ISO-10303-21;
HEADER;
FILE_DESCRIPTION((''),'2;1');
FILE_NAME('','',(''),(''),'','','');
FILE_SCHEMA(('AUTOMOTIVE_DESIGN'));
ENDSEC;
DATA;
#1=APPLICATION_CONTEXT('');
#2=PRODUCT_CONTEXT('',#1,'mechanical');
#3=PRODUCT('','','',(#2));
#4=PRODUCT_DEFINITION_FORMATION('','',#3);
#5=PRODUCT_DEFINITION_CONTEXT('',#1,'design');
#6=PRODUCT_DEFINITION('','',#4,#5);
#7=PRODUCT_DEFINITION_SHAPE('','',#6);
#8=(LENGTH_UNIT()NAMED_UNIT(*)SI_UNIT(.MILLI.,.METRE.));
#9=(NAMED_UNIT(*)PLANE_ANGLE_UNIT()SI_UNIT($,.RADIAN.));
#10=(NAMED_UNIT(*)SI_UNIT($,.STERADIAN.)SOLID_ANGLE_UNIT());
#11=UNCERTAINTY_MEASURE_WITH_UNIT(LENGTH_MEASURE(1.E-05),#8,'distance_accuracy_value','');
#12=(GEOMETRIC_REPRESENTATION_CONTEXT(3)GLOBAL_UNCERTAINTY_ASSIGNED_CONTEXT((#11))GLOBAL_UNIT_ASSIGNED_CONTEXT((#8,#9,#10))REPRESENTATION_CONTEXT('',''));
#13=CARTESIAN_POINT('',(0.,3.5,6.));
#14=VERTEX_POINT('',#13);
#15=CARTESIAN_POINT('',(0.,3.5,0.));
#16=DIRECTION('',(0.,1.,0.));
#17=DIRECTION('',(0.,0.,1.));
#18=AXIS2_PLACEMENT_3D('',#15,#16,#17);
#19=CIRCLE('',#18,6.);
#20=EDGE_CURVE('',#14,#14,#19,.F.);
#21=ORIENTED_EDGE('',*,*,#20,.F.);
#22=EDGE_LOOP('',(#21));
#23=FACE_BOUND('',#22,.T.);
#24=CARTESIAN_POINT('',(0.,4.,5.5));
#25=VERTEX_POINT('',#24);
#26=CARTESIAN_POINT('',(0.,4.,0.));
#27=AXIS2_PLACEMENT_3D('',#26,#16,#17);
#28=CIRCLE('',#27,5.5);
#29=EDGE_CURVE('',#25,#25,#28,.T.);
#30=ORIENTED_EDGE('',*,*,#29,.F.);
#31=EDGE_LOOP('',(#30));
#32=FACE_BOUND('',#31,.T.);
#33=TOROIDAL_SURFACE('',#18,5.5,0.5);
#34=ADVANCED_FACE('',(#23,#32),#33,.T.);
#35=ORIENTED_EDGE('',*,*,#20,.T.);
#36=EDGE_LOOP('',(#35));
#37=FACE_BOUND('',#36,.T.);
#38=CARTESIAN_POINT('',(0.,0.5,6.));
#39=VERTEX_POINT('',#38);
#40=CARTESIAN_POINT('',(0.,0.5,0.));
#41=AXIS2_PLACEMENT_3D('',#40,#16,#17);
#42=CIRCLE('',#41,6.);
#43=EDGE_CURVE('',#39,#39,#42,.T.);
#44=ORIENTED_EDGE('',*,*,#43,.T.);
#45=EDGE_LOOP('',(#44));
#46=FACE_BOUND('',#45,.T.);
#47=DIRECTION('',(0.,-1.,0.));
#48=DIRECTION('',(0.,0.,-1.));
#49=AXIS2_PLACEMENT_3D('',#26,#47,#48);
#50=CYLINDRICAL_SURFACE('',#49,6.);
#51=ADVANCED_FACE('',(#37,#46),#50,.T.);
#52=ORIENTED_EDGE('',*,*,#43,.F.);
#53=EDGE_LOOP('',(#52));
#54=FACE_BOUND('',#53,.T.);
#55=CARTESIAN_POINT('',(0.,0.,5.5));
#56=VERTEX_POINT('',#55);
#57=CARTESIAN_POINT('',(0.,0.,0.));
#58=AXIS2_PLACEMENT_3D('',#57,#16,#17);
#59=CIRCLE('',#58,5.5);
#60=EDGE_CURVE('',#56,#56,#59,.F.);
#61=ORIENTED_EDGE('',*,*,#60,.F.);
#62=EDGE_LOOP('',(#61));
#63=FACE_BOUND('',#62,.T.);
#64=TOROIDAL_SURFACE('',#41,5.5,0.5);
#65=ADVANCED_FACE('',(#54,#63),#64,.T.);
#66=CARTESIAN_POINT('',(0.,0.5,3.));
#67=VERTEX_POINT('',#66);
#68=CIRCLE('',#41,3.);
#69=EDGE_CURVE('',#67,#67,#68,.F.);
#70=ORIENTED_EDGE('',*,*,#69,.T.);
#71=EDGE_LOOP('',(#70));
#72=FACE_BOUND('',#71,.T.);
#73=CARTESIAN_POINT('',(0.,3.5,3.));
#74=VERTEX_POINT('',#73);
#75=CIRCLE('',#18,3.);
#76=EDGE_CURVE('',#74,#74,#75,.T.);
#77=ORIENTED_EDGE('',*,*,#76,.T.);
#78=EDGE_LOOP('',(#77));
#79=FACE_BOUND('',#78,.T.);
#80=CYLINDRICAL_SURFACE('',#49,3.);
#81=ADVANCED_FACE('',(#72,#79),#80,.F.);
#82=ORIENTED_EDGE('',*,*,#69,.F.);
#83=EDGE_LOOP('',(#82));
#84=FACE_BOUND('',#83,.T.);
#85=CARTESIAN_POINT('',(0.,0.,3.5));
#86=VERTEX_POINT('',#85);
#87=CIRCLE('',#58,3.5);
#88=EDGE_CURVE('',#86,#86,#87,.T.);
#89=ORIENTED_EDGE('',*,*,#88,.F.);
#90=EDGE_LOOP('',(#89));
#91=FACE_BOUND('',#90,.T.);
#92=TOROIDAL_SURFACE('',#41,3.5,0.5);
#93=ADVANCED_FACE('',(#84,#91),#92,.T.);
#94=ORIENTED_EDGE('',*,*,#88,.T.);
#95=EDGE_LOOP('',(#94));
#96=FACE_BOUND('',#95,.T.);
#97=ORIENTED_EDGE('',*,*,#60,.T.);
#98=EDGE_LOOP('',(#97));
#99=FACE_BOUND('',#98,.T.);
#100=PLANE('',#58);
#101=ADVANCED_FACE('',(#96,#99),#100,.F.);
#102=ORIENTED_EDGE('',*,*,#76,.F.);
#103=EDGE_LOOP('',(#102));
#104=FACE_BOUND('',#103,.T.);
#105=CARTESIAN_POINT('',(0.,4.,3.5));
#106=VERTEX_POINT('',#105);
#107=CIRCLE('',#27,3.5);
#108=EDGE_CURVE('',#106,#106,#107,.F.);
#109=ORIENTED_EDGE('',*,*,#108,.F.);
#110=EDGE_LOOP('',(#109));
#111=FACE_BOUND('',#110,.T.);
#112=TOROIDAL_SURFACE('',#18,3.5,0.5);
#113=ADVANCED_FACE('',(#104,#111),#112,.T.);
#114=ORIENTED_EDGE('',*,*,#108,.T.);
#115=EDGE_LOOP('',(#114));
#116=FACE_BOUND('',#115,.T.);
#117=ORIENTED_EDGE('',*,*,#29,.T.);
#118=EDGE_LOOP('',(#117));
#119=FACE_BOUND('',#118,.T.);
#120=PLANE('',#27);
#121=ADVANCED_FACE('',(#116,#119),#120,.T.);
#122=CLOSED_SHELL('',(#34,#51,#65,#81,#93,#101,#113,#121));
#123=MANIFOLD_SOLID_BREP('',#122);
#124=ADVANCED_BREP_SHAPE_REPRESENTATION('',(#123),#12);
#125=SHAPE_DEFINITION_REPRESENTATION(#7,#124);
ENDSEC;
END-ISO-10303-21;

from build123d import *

# Parameters (mm, degrees)
SKETCH_1_R      = 6
SKETCH_1_R_2    = 3
EXTRUDE_1_DEPTH = 4
FILLET_1_R      = 0.5


with BuildPart() as part:
    # 草图1 → 凸台-拉伸1 (new body)
    with BuildSketch(Plane(origin=(0, 0, 0), x_dir=(1, 0, 0), z_dir=(0, 1, 0))):
        with Locations(Location((0, 0, 0), (0, 0, 270))):
            Circle(SKETCH_1_R)
        with Locations(Location((0, 0, 0), (0, 0, 270))):
            Circle(SKETCH_1_R_2, mode=Mode.SUBTRACT)
    extrude(amount=EXTRUDE_1_DEPTH)

    # 圆角1
    fillet_1_edges = [part.edges().sort_by_distance(p)[0] for p in [
        (0, 0, -6),
        (0, 4, -6),
        (0, 0, -3),
        (0, 4, -3),
    ]]
    fillet(fillet_1_edges, radius=FILLET_1_R)


solid = part.part
